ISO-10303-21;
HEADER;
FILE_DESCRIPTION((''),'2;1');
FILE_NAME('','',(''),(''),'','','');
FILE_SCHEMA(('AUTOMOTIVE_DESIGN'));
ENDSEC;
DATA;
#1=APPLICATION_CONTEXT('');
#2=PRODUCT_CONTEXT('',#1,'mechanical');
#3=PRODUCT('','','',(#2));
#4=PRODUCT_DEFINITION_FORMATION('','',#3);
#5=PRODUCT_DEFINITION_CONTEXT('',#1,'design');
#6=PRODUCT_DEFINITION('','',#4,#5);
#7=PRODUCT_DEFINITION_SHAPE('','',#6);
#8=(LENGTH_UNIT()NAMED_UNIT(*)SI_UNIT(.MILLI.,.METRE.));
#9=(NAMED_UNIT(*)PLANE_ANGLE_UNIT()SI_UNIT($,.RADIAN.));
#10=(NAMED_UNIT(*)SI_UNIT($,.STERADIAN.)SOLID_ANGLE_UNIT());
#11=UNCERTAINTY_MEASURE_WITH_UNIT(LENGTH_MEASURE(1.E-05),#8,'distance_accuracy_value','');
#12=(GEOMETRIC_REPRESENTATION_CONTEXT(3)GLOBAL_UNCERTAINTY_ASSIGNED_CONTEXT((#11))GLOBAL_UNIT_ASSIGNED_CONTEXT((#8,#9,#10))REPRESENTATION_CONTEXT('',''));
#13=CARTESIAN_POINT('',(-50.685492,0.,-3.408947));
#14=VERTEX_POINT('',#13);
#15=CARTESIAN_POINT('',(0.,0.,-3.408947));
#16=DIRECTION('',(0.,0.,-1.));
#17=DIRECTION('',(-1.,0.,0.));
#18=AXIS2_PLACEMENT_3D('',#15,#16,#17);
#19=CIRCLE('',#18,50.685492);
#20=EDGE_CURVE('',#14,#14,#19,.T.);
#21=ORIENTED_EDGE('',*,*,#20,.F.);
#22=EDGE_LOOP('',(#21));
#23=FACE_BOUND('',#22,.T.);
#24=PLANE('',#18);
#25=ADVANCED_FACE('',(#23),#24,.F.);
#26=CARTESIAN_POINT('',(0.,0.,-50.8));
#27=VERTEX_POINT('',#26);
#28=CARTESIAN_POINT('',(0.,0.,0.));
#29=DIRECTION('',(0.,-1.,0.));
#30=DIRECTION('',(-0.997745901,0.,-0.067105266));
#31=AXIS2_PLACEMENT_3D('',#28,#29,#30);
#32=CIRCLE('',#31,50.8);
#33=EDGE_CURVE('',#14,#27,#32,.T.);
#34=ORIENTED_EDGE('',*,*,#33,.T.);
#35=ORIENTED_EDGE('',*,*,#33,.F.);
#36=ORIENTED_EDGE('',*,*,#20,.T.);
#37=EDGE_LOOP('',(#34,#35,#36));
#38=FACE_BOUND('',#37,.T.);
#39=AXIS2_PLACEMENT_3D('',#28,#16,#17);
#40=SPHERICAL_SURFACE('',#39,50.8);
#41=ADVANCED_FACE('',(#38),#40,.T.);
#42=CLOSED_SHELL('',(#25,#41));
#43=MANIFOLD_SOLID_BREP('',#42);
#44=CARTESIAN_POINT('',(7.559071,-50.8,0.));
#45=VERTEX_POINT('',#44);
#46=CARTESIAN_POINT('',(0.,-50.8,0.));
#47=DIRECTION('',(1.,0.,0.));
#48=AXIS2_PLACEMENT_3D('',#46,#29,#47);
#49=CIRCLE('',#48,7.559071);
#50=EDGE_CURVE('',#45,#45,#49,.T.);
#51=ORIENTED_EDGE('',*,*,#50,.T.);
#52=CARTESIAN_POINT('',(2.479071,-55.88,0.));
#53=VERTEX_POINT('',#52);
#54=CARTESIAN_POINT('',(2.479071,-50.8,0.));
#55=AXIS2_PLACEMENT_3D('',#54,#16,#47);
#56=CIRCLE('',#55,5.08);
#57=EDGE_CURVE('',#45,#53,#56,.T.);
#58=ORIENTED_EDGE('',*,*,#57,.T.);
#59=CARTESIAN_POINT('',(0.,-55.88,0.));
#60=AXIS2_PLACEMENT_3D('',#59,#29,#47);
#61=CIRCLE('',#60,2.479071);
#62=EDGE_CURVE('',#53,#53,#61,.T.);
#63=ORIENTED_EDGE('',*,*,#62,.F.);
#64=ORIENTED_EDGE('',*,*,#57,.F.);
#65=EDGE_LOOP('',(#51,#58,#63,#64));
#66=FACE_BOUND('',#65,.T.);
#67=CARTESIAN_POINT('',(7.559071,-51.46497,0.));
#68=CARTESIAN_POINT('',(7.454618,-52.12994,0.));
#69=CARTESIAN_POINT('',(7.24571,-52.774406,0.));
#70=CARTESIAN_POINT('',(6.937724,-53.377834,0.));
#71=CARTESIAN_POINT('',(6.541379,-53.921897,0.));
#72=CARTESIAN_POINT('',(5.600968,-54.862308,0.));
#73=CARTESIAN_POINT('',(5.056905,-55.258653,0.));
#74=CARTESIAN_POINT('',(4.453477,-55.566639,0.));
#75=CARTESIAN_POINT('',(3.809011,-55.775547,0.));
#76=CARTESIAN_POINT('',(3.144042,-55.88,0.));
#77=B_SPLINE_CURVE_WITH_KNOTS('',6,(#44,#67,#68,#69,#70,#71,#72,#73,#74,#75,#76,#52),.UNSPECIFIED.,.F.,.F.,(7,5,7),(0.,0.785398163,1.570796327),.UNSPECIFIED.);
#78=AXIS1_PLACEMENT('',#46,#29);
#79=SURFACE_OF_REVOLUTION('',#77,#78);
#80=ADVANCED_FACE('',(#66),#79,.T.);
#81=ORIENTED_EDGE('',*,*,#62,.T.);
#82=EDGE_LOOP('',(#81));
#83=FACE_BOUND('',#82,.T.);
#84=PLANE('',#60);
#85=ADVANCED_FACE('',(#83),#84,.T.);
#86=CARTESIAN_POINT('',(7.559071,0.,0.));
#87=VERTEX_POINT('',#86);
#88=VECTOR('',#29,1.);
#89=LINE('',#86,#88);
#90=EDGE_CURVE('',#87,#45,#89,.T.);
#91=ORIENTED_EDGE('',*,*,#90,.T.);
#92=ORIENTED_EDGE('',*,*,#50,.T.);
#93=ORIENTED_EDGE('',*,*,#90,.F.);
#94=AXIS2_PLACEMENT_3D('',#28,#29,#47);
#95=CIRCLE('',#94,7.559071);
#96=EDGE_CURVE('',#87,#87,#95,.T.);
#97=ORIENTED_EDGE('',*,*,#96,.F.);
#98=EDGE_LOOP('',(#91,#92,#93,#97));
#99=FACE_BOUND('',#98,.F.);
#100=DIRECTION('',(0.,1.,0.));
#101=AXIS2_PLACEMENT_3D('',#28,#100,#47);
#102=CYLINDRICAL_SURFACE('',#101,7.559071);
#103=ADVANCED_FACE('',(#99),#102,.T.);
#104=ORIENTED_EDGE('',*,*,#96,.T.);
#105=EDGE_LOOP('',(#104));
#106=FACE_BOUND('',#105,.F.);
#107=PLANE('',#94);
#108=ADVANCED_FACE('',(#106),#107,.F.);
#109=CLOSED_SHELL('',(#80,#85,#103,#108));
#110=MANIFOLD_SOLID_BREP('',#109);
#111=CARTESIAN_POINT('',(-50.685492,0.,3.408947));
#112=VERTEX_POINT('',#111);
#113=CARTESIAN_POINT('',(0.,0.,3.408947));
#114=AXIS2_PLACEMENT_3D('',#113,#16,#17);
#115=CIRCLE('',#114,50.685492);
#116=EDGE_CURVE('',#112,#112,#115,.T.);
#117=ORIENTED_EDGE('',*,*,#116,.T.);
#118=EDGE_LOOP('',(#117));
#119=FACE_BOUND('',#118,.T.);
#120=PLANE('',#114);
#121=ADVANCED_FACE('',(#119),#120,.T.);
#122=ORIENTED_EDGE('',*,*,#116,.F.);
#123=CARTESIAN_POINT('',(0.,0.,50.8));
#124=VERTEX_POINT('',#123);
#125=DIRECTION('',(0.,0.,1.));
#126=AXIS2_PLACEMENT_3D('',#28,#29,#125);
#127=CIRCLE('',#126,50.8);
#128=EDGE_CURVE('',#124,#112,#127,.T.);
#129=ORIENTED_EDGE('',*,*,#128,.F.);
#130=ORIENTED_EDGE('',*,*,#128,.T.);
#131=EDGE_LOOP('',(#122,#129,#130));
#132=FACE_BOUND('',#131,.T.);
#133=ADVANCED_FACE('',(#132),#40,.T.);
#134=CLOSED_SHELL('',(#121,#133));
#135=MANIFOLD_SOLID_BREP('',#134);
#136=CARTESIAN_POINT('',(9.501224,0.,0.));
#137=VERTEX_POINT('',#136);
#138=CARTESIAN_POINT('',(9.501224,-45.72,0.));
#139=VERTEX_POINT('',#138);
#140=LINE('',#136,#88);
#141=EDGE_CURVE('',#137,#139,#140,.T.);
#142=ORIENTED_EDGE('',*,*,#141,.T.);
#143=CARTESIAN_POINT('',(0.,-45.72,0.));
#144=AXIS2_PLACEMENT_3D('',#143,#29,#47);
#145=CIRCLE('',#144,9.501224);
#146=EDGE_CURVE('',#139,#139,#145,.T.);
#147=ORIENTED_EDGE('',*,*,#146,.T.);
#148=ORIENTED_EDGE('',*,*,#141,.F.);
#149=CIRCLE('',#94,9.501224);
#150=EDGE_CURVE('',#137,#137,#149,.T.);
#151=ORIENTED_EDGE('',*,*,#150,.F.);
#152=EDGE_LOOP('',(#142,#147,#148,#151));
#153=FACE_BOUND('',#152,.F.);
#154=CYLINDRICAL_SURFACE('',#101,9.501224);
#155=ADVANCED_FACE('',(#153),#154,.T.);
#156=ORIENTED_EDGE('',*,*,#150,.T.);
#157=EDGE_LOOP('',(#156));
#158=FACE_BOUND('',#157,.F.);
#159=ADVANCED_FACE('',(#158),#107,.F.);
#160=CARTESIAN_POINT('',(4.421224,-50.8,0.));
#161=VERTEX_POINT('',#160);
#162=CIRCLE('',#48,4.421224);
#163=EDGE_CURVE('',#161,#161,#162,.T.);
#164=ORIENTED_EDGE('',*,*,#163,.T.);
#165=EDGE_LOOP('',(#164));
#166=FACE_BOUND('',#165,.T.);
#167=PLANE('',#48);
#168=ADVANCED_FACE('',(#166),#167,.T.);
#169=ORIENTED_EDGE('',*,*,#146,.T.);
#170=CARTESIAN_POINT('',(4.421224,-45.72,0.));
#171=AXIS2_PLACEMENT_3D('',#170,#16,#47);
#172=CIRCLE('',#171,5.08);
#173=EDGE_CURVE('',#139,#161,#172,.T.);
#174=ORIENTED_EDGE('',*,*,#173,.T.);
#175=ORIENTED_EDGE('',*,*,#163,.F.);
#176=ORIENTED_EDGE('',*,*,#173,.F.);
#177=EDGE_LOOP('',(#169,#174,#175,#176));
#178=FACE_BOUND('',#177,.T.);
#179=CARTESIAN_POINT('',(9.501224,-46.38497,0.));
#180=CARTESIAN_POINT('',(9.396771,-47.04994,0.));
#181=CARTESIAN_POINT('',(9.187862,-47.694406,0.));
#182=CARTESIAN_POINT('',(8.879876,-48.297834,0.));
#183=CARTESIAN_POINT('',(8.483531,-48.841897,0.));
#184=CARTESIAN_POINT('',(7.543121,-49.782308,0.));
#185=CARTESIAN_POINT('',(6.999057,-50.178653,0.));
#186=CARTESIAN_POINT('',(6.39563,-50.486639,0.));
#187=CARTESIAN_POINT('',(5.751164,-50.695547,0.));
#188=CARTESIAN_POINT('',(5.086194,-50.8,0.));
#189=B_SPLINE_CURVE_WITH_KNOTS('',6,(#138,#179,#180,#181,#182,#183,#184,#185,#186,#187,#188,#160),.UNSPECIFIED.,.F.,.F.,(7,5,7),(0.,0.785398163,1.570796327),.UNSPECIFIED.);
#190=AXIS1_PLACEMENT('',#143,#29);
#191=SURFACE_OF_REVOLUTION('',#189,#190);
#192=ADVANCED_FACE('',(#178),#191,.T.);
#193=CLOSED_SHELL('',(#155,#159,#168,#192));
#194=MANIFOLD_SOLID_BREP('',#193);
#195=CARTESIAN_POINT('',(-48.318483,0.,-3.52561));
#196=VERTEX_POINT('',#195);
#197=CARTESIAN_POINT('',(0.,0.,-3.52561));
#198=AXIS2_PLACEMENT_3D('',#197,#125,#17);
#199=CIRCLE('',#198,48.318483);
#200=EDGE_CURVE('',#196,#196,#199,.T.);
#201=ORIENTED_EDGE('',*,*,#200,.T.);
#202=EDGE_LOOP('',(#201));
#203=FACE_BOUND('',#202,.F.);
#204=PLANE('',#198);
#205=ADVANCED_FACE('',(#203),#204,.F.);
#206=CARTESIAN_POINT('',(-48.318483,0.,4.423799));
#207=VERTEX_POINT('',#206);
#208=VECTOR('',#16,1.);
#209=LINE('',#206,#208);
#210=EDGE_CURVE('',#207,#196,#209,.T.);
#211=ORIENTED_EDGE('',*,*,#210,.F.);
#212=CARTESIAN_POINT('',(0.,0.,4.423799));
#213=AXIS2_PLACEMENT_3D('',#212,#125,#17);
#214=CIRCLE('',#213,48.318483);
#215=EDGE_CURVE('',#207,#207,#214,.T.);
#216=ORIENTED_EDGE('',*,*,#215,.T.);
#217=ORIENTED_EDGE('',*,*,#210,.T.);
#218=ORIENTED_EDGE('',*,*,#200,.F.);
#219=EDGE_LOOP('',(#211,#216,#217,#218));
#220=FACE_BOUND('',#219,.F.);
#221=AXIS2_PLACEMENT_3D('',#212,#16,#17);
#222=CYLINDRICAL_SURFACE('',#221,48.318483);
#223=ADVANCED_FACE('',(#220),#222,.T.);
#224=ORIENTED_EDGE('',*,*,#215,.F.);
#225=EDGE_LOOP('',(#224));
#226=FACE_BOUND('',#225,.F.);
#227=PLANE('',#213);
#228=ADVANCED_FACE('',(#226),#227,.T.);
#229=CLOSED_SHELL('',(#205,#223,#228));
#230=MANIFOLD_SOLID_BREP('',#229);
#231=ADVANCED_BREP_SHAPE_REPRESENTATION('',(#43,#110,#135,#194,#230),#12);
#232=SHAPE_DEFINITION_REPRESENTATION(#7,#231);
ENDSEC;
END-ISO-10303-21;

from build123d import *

# Parameters (mm, degrees)
F4_R     = 9.501223813
F5_DEPTH = 50.8
F6_R     = 7.5590710891
F7_DEPTH = 55.88
F8_R     = 5.08
F8_2_R   = 5.08


with BuildPart() as f1:
    # F0 (on Front) → F1 (revolve)
    with BuildSketch(Plane.XZ):
        with BuildLine():
            Line((0, 3.4089474939), (0, 50.8))
            ThreePointArc((0, 50.8), (-34.694851688, 37.1067010976), (-50.68549178, 3.4089474939))
            Line((-50.68549178, 3.4089474939), (0, 3.4089474939))
        make_face()
    revolve(axis=Axis((0, 0, -1.2031570077), (0, 0, -1)))


with BuildPart() as f1b:
    # F0 (on Front) → F1, piece 2 (revolve)
    with BuildSketch(Plane.XZ):
        with BuildLine():
            ThreePointArc((-50.68549178, -3.4089474939), (-34.694851688, -37.1067010976), (0, -50.8))
            Line((0, -50.8), (0, -3.4089474939))
            Line((0, -3.4089474939), (-50.68549178, -3.4089474939))
        make_face()
    revolve(axis=Axis((0, 0, -1.2031570077), (0, 0, -1)))


with BuildPart() as f3:
    # F2 (on Front) → F3 (revolve)
    with BuildSketch(Plane.XZ):
        Polygon((0, 3.6667124368), (0, 4.4237989932), (-48.3184829354, 4.4237989932), (-48.3184829354, -3.525609849), (0, -3.525609849), align=None)
    revolve(axis=Axis((0, 0, 0.0705512939), (0, 0, 1)))


with BuildPart() as f5:
    # F4 (on Front) → F5 (new body)
    with BuildSketch(Plane.XZ):
        Circle(F4_R)
    extrude(amount=F5_DEPTH)

    # F8#2
    f8_2_edges = [f5.edges().sort_by_distance(p)[0] for p in [
        (-9.501224, -50.8, 0),
    ]]
    fillet(f8_2_edges, radius=F8_2_R)


with BuildPart() as f7:
    # F6 (on Front) → F7 (new body)
    with BuildSketch(Plane.XZ):
        Circle(F6_R)
    extrude(amount=F7_DEPTH)

    # F8
    f8_edges = [f7.edges().sort_by_distance(p)[0] for p in [
        (-7.559071, -55.88, 0),
    ]]
    fillet(f8_edges, radius=F8_R)


solid = Compound([f1.part, f1b.part, f3.part, f5.part, f7.part])
